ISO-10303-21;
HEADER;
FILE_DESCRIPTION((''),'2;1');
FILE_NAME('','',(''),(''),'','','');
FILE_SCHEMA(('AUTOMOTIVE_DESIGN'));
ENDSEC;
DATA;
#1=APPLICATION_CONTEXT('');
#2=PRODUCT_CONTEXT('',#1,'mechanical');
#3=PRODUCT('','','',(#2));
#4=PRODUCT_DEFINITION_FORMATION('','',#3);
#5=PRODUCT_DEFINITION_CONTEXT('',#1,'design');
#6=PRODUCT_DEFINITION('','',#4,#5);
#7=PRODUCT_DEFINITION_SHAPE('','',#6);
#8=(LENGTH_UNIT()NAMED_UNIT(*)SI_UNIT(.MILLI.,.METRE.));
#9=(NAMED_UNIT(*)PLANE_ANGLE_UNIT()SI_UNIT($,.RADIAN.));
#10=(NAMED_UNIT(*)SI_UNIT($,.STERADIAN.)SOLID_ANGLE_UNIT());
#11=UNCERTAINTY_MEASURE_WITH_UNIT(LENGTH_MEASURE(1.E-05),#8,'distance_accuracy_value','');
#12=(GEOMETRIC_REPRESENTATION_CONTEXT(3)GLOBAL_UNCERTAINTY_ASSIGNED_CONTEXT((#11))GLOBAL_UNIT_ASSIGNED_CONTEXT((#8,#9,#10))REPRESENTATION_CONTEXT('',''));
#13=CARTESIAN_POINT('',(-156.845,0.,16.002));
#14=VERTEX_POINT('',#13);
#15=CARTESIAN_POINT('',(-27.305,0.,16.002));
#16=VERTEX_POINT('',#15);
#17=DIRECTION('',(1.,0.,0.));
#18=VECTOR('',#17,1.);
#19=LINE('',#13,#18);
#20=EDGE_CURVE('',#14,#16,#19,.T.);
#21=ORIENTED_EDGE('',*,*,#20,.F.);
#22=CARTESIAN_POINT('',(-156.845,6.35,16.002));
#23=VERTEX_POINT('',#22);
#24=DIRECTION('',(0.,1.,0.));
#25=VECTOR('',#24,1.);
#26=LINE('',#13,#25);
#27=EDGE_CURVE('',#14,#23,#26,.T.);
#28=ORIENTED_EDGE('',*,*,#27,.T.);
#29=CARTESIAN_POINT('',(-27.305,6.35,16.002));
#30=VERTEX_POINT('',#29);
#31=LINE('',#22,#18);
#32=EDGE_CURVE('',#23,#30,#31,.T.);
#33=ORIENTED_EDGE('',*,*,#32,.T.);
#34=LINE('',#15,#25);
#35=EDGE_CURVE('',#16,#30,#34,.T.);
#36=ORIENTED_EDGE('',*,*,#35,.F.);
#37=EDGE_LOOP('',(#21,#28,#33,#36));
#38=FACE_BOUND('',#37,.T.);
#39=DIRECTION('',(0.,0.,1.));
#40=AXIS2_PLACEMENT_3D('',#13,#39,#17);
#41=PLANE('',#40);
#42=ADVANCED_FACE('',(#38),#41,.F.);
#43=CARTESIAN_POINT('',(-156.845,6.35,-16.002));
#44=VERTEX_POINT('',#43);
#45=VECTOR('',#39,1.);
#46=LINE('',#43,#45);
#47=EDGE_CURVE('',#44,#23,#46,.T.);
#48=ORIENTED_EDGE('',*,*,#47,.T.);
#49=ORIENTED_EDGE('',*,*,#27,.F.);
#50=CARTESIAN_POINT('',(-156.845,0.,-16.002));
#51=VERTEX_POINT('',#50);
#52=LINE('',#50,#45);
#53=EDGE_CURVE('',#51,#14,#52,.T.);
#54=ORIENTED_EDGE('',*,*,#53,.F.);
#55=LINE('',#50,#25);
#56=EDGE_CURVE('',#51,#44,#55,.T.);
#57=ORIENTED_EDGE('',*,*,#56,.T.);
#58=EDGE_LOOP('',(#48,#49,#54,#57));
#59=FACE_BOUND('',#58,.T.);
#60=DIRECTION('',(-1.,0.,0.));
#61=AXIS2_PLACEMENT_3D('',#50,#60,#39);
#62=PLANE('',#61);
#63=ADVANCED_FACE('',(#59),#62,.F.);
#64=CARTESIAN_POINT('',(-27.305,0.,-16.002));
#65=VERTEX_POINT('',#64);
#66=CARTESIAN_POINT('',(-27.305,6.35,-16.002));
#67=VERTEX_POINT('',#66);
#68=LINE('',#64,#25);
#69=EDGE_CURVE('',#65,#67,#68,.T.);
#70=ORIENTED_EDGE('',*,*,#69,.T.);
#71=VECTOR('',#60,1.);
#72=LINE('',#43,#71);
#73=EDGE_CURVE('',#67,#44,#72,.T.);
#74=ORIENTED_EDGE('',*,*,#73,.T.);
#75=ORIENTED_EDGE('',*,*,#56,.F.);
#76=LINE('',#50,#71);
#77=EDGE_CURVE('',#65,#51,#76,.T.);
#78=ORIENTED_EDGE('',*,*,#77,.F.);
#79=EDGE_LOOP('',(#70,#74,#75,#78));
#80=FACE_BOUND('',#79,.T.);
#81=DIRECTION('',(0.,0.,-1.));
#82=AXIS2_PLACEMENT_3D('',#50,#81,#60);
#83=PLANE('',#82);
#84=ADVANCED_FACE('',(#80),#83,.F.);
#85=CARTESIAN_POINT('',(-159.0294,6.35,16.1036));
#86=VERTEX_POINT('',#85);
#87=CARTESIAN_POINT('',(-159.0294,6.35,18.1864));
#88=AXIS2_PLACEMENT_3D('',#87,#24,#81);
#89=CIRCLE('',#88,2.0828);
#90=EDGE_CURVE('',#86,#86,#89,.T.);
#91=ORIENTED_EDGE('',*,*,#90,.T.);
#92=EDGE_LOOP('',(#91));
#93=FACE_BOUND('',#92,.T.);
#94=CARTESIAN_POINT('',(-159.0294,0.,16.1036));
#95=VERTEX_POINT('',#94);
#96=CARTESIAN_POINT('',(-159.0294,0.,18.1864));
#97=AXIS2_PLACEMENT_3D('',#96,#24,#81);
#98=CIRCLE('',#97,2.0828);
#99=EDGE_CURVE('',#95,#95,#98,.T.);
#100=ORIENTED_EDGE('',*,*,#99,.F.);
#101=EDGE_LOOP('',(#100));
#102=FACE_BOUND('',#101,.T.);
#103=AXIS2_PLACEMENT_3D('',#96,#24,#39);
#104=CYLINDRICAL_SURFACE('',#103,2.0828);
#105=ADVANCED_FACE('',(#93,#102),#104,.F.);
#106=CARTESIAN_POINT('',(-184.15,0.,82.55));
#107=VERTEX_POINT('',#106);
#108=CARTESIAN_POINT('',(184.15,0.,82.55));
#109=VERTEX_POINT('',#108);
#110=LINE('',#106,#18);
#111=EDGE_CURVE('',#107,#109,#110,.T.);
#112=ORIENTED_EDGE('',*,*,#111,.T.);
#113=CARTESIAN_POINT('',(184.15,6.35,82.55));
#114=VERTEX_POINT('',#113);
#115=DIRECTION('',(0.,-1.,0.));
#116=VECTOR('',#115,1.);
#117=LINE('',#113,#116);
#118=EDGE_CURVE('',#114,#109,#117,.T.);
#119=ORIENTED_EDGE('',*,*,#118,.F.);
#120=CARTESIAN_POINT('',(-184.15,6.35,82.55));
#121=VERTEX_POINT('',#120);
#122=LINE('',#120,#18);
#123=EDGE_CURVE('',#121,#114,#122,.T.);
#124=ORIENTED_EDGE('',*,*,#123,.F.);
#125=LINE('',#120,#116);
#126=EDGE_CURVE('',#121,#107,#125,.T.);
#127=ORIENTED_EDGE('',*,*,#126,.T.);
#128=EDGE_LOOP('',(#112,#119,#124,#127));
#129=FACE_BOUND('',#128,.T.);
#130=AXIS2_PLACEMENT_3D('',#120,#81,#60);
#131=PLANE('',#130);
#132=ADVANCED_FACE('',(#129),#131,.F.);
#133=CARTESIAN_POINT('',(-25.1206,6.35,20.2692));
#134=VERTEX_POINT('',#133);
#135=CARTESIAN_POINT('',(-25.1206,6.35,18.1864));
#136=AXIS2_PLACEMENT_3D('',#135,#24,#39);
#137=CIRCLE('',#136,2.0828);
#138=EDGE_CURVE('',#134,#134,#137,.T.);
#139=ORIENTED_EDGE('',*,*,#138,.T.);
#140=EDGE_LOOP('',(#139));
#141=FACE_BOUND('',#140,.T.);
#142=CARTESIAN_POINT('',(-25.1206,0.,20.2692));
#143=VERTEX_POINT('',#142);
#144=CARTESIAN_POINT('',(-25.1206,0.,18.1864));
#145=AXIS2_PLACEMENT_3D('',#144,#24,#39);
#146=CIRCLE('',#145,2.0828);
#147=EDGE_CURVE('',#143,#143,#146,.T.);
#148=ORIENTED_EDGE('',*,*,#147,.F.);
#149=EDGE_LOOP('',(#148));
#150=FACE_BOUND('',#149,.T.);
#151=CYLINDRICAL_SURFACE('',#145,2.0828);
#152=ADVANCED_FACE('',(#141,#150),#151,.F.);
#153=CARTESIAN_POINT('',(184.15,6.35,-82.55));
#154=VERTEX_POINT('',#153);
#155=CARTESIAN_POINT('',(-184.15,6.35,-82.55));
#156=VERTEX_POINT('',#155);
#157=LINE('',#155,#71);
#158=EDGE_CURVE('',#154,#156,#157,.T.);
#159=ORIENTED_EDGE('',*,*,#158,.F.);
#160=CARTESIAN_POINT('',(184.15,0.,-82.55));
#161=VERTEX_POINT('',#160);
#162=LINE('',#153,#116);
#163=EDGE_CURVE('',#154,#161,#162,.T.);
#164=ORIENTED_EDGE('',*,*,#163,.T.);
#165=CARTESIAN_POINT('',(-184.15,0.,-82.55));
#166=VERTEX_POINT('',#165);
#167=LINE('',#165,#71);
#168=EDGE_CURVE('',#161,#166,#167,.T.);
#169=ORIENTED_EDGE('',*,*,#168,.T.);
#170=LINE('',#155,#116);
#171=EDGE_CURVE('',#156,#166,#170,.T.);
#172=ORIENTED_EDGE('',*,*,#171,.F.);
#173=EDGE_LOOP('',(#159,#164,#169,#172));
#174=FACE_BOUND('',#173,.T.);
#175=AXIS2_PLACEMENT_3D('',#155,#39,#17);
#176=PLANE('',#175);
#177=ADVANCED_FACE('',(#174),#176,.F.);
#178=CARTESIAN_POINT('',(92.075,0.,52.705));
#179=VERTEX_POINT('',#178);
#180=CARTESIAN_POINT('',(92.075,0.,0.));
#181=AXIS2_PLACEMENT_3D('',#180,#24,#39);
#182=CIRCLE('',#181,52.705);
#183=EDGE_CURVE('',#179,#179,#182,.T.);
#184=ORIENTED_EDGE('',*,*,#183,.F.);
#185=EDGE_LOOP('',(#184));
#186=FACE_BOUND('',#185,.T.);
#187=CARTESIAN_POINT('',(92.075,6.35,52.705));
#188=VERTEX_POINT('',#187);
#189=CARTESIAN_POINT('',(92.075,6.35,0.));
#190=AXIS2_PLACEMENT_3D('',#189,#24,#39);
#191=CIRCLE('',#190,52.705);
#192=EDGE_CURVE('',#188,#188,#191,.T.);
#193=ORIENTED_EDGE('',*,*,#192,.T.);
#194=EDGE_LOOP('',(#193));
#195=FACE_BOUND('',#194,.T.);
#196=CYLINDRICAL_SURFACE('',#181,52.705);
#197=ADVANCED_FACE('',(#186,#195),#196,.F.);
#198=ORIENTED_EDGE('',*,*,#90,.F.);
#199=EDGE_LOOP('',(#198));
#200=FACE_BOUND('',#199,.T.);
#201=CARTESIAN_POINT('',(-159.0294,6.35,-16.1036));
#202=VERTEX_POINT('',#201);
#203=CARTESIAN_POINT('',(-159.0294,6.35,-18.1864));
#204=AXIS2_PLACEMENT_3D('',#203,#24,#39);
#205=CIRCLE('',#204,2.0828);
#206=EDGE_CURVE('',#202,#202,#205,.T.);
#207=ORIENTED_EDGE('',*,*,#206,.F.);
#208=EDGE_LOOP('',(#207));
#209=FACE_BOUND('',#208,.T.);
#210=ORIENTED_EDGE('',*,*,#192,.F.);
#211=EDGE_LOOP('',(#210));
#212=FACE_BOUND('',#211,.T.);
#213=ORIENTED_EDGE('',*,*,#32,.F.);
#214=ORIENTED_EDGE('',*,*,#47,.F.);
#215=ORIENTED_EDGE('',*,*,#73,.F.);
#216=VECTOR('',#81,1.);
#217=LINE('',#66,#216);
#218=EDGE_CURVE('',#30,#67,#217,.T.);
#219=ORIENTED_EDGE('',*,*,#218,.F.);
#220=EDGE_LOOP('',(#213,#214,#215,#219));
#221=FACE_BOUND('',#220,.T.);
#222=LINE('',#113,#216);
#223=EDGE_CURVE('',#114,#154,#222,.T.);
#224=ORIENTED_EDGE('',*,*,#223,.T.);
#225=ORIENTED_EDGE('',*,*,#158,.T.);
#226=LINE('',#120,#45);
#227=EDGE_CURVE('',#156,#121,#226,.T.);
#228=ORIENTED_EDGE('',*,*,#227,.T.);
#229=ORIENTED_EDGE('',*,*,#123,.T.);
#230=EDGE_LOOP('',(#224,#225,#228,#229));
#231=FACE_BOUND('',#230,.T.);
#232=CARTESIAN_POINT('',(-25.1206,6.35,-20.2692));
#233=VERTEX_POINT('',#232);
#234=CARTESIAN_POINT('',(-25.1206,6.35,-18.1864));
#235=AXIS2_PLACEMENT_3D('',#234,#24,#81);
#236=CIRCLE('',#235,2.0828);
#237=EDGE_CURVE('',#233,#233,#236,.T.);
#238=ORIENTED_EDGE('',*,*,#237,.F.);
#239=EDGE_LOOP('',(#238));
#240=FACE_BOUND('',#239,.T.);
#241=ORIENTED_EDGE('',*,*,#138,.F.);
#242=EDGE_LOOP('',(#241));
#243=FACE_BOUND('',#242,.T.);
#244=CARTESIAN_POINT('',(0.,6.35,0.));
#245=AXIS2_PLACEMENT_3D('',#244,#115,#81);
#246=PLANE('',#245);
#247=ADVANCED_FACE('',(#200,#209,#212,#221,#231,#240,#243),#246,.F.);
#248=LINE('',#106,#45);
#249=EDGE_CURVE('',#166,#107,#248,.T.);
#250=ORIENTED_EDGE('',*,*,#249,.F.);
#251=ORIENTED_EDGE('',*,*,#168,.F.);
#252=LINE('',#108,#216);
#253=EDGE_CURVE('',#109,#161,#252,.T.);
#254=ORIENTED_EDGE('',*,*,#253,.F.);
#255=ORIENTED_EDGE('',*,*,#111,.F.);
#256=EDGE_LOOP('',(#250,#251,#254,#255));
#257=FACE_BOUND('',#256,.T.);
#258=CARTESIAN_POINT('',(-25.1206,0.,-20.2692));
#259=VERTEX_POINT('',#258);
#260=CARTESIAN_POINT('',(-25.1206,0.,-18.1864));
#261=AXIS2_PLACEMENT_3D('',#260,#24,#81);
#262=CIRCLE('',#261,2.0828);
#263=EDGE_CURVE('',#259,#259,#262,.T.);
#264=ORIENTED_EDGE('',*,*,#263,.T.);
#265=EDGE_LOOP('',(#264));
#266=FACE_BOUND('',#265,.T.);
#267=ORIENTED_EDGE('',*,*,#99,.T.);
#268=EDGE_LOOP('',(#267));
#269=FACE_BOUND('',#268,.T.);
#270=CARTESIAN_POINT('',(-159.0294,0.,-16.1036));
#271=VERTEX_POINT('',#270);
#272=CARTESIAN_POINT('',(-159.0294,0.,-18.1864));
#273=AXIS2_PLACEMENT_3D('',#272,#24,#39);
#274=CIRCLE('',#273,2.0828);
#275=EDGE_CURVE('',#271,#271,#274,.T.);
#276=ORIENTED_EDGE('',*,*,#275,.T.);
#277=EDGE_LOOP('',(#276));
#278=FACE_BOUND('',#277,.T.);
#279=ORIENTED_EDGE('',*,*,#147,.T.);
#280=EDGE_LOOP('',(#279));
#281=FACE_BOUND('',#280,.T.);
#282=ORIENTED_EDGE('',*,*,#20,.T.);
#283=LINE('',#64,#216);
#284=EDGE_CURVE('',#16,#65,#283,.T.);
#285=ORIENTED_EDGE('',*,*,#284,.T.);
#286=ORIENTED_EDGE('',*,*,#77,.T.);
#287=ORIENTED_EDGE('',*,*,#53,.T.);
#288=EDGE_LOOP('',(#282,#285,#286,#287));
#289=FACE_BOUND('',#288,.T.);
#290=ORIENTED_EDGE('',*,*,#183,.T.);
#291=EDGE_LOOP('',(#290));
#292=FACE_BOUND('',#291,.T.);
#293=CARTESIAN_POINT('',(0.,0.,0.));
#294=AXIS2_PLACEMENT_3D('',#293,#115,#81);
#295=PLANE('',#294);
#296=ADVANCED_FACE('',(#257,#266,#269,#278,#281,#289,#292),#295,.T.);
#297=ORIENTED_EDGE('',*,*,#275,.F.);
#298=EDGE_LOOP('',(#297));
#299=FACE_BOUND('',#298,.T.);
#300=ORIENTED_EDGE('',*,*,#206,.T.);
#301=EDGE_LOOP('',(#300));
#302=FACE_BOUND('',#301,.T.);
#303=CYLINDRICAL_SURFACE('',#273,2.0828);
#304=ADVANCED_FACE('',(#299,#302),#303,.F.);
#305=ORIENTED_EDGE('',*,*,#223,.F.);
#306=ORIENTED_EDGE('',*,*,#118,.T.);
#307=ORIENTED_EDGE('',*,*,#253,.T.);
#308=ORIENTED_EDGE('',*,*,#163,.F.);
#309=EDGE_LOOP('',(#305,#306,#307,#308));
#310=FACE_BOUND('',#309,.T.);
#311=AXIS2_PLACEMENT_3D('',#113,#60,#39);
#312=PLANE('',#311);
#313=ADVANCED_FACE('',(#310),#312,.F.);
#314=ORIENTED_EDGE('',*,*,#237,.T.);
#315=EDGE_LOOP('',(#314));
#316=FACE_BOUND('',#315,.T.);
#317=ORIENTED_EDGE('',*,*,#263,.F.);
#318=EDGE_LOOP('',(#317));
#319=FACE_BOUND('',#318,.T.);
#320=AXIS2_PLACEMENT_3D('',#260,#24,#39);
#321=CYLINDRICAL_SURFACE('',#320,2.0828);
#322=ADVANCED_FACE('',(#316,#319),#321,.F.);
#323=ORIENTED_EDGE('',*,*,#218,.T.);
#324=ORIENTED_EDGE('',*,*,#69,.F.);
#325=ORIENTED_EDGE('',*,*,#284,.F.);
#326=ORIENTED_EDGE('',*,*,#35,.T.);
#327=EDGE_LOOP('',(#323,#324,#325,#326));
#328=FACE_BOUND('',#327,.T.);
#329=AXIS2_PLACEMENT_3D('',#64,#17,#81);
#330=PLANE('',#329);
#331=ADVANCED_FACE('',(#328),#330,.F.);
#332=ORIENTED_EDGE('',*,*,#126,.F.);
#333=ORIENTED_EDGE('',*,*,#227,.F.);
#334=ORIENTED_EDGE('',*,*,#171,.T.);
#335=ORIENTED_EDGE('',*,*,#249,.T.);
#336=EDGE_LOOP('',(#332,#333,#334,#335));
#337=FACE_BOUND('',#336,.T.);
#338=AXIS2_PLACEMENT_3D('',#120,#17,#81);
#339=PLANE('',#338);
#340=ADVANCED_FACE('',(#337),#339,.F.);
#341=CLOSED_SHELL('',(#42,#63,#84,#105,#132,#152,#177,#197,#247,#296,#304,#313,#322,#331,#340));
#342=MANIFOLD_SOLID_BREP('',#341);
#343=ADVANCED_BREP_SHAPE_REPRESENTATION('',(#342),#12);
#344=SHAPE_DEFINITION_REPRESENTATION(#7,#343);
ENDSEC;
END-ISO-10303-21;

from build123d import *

# Parameters (mm, degrees)
SKETCH1_W           = 368.3
SKETCH1_H           = 165.1
BOSS_EXTRUDE1_DEPTH = 6.35
SKETCH2_R           = 52.705
SKETCH2_R_2         = 2.0828
SKETCH2_W           = 129.54
SKETCH2_H           = 32.004
CUT_EXTRUDE1_DEPTH  = 202.906036314


with BuildPart() as part:
    # Sketch1 → Boss-Extrude1 (new body)
    with BuildSketch(Plane(origin=(0, 0, 0), x_dir=(1, 0, 0), z_dir=(0, 1, 0))):
        Rectangle(SKETCH1_W, SKETCH1_H)
    extrude(amount=BOSS_EXTRUDE1_DEPTH)

    # Sketch2 → Cut-Extrude1 (cut, through all)
    with BuildSketch(Plane(origin=(0, 6.35, 0), x_dir=(1, 0, 0), z_dir=(0, 1, 0))):
        with Locations(Location((92.075, 0, 0), (0, 0, 270))):
            Circle(SKETCH2_R)
        with Locations(Location((-159.0294, 18.1864, 0), (0, 0, 270))):
            Circle(SKETCH2_R_2)
        with Locations(Location((-159.0294, -18.1864, 0), (0, 0, 90))):
            Circle(SKETCH2_R_2)
        with Locations(Location((-25.1206, 18.1864, 0), (0, 0, 90))):
            Circle(SKETCH2_R_2)
        with Locations(Location((-25.1206, -18.1864, 0), (0, 0, 270))):
            Circle(SKETCH2_R_2)
        with Locations((-92.075, 0)):
            Rectangle(SKETCH2_W, SKETCH2_H)
    extrude(amount=-CUT_EXTRUDE1_DEPTH, mode=Mode.SUBTRACT)


solid = part.part
